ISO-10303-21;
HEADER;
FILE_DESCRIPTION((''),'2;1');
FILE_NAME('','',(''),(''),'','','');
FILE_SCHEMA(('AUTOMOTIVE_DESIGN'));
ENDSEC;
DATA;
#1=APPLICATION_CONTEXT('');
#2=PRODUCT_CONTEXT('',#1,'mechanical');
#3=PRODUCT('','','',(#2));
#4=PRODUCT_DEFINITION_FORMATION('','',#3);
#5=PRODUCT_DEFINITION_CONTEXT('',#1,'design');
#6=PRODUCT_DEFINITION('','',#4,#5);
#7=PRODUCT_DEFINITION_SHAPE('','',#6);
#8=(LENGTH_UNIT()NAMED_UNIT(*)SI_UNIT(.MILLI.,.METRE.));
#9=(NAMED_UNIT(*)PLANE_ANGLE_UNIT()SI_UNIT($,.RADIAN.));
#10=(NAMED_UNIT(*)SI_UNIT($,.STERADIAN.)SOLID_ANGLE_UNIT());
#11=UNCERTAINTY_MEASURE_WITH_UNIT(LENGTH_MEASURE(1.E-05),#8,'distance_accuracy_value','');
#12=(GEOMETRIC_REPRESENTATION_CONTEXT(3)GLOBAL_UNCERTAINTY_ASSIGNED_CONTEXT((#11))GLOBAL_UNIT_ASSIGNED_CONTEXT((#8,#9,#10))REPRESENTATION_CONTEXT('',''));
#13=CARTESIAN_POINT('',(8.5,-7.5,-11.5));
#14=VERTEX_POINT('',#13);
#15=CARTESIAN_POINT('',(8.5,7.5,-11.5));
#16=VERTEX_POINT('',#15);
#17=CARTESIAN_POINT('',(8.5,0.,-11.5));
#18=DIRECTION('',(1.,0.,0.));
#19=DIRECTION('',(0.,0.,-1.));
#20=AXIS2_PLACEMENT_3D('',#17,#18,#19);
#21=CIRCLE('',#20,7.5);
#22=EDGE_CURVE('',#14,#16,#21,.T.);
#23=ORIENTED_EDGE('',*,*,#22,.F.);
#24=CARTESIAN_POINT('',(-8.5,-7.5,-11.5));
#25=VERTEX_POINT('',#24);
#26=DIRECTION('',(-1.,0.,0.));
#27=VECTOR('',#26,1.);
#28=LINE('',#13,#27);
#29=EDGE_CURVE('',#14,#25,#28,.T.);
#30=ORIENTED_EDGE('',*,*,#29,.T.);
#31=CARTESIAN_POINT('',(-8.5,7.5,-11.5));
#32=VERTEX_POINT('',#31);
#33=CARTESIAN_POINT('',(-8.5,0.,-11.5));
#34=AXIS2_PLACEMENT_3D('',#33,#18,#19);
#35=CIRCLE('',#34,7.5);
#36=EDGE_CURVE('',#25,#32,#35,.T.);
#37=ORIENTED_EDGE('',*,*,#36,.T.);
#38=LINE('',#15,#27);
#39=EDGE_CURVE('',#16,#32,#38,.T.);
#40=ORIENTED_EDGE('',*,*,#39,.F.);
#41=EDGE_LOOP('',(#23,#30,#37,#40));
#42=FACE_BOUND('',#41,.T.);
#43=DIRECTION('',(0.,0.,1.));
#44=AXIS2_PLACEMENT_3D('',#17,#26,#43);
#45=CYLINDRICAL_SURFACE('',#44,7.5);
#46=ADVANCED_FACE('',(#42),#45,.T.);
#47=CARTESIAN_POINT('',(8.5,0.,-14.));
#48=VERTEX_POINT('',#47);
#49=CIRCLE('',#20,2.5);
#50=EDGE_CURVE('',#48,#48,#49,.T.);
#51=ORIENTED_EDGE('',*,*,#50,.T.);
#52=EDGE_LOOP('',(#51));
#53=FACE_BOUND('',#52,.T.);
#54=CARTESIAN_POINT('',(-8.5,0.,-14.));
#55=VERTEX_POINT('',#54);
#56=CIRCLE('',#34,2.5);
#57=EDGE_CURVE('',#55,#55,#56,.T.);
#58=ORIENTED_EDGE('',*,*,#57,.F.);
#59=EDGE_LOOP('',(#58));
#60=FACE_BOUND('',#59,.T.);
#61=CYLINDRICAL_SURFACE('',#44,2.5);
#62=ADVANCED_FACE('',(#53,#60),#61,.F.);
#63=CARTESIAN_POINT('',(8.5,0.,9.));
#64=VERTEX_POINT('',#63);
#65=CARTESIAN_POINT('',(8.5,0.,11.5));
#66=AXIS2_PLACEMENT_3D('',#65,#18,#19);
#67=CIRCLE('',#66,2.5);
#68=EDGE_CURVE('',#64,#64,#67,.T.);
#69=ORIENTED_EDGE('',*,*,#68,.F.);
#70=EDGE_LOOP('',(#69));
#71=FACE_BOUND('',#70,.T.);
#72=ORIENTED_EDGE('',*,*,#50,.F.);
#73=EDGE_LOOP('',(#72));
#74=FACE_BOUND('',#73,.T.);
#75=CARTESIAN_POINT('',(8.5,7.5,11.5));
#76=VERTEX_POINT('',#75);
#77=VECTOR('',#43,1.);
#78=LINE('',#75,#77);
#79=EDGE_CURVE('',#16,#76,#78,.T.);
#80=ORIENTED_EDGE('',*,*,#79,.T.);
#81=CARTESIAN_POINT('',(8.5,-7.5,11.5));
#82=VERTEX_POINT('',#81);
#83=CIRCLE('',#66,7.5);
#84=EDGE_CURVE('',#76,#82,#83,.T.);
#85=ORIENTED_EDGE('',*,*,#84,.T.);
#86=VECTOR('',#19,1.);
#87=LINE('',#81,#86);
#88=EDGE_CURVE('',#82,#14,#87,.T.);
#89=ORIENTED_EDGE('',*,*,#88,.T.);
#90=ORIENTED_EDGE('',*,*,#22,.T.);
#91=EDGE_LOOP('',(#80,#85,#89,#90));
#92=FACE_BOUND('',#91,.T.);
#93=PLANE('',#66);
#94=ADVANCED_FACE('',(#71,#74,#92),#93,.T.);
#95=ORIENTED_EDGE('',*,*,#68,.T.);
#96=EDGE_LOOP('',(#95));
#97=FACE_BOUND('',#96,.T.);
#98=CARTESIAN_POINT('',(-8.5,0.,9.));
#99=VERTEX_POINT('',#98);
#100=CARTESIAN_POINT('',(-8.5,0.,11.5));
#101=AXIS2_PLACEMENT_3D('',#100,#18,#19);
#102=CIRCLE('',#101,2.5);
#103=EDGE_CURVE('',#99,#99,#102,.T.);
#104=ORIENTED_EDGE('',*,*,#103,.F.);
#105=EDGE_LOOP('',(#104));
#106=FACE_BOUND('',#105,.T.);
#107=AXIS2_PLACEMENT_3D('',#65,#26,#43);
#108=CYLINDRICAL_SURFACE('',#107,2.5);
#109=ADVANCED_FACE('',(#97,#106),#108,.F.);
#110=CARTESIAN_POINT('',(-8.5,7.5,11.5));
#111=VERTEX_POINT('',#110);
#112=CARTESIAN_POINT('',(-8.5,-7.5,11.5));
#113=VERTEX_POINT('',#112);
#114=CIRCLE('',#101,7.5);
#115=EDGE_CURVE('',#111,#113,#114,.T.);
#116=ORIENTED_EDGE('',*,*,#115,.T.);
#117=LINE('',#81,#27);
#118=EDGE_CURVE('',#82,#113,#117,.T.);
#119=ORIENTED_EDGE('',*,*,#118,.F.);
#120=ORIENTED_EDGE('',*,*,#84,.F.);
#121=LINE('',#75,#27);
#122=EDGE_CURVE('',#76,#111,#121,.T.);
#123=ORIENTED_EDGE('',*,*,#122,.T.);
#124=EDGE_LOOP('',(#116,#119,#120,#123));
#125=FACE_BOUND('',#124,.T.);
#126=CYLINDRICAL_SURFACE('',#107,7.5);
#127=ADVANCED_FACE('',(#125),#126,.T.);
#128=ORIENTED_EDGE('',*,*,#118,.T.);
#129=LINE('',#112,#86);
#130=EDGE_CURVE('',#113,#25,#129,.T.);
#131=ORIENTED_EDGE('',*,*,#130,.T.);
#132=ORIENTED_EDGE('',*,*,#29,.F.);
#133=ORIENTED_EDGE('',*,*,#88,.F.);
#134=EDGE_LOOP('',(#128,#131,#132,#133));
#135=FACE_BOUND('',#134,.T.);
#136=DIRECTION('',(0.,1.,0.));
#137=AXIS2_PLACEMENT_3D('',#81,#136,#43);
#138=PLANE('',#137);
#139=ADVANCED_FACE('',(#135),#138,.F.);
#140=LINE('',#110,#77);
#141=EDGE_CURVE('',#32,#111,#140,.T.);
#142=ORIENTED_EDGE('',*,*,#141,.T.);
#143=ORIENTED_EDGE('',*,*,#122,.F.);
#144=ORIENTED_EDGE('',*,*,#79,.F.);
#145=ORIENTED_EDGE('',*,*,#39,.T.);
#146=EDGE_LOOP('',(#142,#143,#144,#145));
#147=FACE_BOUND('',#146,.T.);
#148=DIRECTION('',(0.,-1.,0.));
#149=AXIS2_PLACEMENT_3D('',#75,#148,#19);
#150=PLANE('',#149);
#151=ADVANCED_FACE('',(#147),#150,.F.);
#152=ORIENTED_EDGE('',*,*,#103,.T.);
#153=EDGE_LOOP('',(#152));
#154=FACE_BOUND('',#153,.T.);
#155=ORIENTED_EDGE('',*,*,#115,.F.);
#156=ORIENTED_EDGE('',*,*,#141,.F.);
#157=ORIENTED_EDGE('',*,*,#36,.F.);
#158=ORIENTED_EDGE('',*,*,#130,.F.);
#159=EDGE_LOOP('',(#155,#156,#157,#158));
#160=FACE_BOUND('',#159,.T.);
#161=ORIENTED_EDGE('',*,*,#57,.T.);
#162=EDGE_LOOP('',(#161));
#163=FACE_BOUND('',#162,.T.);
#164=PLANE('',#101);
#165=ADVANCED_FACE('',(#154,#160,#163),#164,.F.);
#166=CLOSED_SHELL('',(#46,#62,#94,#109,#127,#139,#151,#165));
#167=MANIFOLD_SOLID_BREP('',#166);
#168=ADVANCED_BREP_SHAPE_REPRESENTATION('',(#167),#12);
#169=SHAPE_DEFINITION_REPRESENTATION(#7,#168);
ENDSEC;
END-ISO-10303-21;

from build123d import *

# Parameters (mm, degrees)
CROQUIS1_R              = 2.5
SALIENTE_EXTRUIR1_DEPTH = 8.5


with BuildPart() as part:
    # Croquis1 → Saliente-Extruir1 (new, symmetric)
    with BuildSketch(Plane(origin=(0, 0, 0), x_dir=(0, 0, -1), z_dir=(1, 0, 0))):
        with BuildLine():
            Line((-11.5, 7.5), (11.5, 7.5))
            ThreePointArc((11.5, 7.5), (19, 0), (11.5, -7.5))
            Line((11.5, -7.5), (-11.5, -7.5))
            ThreePointArc((-11.5, -7.5), (-19, 0), (-11.5, 7.5))
        make_face()
        with Locations((-11.5, 0)):
            Circle(CROQUIS1_R, mode=Mode.SUBTRACT)
        with Locations((11.5, 0)):
            Circle(CROQUIS1_R, mode=Mode.SUBTRACT)
    extrude(amount=SALIENTE_EXTRUIR1_DEPTH, both=True)


solid = part.part
